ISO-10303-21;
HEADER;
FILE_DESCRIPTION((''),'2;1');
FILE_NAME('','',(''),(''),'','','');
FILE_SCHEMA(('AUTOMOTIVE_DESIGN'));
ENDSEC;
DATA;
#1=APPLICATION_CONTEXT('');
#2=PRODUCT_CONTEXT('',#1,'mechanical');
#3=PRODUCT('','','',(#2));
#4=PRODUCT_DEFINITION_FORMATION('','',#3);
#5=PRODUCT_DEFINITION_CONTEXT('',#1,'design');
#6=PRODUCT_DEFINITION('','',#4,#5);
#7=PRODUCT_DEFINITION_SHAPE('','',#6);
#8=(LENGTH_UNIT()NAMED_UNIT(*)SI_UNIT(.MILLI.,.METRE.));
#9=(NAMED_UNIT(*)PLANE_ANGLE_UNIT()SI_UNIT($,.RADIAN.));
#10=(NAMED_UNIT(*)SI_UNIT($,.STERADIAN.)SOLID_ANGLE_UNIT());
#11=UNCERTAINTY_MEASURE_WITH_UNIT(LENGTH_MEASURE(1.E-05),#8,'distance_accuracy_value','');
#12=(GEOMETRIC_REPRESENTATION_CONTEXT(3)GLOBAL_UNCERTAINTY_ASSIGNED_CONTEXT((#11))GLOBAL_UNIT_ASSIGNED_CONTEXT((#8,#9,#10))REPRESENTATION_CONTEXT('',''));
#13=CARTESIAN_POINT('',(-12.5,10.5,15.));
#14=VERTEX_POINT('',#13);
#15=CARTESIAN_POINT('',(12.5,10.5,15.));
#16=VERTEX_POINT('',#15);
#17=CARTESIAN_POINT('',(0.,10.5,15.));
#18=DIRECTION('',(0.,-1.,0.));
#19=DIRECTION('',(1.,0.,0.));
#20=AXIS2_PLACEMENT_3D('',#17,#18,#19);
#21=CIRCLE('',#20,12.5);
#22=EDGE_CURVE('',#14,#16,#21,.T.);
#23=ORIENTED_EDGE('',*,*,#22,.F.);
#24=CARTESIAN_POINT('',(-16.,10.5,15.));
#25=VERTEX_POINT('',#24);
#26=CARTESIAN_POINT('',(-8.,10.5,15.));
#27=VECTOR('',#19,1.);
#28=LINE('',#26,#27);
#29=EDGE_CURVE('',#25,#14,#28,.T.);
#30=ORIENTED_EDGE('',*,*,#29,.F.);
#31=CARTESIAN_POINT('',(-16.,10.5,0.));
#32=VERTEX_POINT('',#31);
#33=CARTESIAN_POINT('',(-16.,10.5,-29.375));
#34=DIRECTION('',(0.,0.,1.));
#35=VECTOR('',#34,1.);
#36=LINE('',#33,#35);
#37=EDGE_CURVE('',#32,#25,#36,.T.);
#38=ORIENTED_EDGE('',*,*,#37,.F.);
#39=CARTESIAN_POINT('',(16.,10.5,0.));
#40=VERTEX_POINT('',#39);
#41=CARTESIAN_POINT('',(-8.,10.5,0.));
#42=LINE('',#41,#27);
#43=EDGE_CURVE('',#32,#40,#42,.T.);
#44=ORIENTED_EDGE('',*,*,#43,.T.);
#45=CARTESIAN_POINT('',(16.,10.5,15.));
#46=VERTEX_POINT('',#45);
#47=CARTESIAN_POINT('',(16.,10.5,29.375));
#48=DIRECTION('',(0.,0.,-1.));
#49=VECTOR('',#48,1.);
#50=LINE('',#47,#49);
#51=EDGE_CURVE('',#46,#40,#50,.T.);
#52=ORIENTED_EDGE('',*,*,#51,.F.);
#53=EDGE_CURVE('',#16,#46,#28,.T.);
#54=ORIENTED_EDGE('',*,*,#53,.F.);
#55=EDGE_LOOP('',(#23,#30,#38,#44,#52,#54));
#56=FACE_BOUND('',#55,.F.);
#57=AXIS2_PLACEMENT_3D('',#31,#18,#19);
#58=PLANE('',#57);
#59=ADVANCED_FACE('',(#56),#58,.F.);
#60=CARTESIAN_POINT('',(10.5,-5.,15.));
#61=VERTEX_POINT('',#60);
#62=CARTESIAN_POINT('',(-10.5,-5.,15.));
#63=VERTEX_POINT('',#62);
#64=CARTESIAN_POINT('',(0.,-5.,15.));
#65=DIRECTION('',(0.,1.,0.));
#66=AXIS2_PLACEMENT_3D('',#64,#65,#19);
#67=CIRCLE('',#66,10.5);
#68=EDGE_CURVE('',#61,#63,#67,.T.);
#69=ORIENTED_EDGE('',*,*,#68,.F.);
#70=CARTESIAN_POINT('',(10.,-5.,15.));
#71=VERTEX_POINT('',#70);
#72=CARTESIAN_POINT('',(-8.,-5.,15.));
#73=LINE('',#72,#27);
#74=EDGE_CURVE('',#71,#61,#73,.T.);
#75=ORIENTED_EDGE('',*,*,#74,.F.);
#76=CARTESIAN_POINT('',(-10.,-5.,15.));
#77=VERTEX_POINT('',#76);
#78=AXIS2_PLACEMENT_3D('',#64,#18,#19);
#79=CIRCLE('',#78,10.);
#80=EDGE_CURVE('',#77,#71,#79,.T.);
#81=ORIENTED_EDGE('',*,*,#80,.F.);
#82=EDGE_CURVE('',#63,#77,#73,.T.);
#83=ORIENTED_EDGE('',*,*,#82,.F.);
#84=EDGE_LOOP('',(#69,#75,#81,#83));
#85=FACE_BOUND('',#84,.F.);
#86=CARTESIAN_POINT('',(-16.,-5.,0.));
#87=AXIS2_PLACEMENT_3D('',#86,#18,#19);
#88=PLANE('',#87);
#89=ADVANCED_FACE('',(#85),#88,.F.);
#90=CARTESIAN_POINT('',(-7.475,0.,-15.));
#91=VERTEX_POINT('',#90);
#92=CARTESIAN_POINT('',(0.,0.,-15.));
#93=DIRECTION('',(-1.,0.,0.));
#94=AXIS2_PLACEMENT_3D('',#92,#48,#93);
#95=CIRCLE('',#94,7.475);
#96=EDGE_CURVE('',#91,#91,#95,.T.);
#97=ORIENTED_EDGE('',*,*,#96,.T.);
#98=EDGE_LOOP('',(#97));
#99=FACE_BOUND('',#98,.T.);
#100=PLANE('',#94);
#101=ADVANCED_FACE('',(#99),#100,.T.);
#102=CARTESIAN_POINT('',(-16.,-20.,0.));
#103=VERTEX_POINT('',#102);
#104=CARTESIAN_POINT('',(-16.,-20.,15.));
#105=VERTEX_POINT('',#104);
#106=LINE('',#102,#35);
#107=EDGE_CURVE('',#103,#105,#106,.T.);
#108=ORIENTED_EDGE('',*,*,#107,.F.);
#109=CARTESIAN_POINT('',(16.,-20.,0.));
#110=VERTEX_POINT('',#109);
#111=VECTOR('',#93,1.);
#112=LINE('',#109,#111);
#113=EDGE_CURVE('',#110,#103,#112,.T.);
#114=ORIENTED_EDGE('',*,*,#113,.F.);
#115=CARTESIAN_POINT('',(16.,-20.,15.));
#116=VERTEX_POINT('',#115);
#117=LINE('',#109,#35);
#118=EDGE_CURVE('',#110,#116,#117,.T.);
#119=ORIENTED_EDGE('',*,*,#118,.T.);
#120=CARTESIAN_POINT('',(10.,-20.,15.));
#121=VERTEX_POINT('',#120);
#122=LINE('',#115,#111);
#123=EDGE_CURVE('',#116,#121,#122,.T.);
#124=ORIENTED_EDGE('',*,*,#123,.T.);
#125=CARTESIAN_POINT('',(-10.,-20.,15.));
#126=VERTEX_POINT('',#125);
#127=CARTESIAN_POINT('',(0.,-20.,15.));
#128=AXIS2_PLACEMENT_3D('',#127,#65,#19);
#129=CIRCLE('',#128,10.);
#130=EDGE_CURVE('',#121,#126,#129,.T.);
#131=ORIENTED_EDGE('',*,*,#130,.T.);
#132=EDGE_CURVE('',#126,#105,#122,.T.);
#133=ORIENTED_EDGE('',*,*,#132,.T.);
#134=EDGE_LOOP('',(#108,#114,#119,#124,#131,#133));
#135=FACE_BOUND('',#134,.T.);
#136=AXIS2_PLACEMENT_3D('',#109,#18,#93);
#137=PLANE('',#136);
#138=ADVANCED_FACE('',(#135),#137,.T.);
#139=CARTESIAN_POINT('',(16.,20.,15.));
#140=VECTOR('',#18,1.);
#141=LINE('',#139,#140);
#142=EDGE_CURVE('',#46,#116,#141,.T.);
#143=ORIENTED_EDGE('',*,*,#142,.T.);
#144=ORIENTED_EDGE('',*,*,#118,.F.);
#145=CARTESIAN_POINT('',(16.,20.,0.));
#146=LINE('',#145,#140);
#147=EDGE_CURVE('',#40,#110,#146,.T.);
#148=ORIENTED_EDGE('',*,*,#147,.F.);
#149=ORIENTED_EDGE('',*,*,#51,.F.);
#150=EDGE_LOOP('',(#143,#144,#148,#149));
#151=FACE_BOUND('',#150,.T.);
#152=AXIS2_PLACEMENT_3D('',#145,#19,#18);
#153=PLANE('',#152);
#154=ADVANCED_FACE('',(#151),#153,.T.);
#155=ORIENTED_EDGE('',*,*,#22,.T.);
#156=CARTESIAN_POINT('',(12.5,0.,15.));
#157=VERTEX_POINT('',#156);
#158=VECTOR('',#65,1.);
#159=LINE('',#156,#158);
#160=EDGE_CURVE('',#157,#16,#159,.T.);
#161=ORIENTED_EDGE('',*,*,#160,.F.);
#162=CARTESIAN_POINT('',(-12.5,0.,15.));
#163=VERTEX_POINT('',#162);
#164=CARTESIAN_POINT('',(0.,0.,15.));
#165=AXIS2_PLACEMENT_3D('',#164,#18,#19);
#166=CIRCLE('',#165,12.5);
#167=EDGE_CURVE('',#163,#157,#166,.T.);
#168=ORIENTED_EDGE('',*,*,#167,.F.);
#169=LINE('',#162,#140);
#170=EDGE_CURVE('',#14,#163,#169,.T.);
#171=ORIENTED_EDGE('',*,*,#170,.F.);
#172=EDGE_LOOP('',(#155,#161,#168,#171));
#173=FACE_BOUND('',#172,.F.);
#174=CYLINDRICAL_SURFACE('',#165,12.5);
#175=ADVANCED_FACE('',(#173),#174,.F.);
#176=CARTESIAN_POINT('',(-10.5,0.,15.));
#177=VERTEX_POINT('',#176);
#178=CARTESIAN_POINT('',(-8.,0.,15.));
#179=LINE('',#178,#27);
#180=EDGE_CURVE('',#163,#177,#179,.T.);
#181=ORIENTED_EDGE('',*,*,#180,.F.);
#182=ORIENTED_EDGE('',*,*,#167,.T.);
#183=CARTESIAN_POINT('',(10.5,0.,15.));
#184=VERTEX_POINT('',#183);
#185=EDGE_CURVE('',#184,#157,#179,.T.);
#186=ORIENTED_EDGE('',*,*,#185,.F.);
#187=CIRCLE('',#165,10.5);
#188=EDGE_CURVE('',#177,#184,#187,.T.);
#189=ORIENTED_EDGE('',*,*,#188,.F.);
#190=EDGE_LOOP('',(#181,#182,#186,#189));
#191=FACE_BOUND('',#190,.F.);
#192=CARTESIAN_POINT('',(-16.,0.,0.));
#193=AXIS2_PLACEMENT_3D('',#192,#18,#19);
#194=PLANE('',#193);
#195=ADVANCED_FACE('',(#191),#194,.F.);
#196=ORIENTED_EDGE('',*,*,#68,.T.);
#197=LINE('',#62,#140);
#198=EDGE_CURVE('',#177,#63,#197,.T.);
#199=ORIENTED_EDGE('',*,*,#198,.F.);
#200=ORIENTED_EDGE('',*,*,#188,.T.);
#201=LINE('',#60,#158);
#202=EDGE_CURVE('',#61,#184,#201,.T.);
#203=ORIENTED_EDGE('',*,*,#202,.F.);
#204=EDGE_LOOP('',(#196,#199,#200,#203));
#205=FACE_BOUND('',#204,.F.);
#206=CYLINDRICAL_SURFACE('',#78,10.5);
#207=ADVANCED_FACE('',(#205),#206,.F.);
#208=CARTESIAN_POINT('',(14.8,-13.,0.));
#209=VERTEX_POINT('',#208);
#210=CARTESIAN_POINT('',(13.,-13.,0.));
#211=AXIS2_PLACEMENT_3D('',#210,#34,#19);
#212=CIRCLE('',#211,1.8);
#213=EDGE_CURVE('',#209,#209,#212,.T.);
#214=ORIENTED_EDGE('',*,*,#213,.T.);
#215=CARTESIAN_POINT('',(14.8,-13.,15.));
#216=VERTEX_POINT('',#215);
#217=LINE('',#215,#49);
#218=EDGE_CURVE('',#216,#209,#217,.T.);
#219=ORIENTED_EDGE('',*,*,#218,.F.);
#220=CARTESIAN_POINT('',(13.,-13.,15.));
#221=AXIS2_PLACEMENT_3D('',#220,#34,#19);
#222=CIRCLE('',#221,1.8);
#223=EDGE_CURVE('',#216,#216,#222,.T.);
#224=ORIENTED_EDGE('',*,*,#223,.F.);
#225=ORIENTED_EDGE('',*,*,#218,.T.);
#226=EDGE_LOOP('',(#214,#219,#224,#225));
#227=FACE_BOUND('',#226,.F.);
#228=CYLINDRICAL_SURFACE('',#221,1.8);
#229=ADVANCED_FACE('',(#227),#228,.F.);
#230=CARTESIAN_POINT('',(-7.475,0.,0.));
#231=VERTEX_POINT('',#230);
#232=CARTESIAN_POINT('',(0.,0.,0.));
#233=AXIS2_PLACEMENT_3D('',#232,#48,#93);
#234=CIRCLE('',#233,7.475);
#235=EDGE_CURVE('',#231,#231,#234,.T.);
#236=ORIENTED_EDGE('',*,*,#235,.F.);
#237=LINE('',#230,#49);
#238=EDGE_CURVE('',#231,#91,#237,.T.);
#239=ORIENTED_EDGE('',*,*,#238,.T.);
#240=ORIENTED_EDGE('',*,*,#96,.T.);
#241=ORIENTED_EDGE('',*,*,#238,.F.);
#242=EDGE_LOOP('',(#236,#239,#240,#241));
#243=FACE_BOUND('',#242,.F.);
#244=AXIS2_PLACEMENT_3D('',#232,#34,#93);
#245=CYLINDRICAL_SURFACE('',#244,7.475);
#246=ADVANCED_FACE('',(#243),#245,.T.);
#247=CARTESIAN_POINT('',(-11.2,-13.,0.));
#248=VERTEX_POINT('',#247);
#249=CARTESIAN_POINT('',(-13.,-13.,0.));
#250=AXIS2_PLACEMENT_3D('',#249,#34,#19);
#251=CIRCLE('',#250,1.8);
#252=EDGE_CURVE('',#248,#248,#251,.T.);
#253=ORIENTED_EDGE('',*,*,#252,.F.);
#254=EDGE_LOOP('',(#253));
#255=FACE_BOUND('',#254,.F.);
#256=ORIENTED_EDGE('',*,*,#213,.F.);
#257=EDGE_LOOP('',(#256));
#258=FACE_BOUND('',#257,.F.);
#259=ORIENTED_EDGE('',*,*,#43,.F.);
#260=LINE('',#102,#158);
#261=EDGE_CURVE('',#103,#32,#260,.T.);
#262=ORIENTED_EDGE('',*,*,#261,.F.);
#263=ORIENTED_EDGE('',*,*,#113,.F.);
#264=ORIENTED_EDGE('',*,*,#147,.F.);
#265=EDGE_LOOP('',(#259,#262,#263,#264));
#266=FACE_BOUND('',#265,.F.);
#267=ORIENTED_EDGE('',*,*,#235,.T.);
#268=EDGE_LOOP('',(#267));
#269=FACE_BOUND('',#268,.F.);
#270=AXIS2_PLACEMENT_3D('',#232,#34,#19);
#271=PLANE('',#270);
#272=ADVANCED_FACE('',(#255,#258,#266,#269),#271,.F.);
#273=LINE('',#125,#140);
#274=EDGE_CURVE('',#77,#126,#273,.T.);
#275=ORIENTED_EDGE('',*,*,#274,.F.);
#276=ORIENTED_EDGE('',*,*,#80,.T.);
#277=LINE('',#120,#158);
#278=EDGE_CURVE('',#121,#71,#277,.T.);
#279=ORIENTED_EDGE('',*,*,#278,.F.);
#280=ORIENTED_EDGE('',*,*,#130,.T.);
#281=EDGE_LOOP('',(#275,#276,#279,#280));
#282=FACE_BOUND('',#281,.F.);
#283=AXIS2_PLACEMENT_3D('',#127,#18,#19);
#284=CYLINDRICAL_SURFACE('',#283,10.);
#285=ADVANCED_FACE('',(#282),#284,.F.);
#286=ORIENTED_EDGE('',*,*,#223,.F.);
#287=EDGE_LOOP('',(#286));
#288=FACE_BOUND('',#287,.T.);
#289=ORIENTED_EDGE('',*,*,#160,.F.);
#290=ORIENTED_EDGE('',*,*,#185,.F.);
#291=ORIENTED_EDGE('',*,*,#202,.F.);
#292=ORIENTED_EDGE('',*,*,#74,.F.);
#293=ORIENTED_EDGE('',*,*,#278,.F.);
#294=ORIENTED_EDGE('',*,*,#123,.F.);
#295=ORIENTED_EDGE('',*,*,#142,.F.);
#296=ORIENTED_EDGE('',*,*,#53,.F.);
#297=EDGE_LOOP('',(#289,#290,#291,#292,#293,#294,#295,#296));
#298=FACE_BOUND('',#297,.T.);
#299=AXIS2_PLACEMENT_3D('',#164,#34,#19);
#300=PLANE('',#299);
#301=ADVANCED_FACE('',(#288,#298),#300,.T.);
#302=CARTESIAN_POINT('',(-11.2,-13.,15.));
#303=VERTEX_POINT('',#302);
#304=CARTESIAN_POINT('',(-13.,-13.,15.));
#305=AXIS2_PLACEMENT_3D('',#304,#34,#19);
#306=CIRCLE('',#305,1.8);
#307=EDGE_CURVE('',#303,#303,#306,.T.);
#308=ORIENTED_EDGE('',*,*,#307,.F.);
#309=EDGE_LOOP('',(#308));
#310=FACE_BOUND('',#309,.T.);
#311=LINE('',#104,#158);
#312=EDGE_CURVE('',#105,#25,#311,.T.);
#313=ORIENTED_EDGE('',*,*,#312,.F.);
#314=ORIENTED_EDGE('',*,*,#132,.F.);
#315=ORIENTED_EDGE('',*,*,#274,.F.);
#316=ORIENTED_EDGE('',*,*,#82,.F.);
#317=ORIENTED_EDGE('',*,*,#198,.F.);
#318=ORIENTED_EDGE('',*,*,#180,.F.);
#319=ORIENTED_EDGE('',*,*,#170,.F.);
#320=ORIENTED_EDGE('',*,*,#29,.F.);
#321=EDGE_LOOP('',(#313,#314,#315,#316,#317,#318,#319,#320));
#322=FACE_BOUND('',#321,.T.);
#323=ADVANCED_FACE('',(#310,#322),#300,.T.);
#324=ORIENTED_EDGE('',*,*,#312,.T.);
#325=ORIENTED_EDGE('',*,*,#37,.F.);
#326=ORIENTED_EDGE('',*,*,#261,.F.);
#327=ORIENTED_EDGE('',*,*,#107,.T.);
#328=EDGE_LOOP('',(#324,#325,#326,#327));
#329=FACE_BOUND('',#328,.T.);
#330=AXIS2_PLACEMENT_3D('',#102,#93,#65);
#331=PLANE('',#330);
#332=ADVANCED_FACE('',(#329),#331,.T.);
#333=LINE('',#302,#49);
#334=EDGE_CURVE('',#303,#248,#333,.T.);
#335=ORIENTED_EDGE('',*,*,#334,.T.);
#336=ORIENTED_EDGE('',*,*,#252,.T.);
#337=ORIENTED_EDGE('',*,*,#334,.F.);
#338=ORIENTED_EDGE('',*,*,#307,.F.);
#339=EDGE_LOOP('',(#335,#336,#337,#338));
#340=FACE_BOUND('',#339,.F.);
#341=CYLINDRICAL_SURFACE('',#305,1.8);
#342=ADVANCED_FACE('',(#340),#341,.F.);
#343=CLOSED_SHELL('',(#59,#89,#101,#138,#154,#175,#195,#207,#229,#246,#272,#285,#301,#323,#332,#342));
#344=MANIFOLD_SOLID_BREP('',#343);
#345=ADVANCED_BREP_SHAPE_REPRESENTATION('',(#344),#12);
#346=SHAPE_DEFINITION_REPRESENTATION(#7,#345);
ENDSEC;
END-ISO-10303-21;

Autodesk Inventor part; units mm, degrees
ref_plane "YZ Plane" through (0, 0, 0) normal (1, 0, 0) x (0, 1, 0)
ref_plane "XZ Plane" through (0, 0, 0) normal (0, 1, 0) x (-1, 0, 0)
ref_plane "XY Plane" through (0, 0, 0) normal (0, 0, 1) x (1, 0, 0)
sketch "Skizze1" plane through (0, 0, 0) normal (0, 0, 1) x (1, 0, 0)
  line L0 (-16, 20) -> (16, 20)
  line L1 (16, 20) -> (16, -20)
  line L2 (16, -20) -> (-16, -20)
  line L3 (-16, -20) -> (-16, 20)
  line L4 (-16, 20) -> (16, -20) construction
  line L5 (16, 20) -> (-16, -20) construction
  point P0 (0, 0)
  dimension "d0" = 32
  dimension "d1" = 40
extrude "Extrusion1" add sketch "Skizze1" along normal blind 15
sketch "Skizze2" plane through (-16, -20, 0) normal (0, -1, 0) x (1, 0, 0)
  line L0 (0, 15) -> (32, 15) projected
  line L1 (0, 0) -> (0, 15) projected
  line L2 (32, 0) -> (0, 0) projected
  line L3 (32, 0) -> (32, 15) projected
  line L4 (32, 15) -> (0, 15) projected
  circle A0 centre (16, 15) radius 10
  point P0 (16, 0)
  dimension "d4" = 20
extrude "Extrusion2" cut sketch "Skizze2" against normal blind 15 contours A0 L0 | L0 A0
sketch "Skizze3" plane through (-16, -5, 0) normal (0, -1, 0) x (1, 0, 0)
  line L0 (0, 0) -> (0, 15) projected
  line L1 (32, 0) -> (0, 0) projected
  line L2 (32, 0) -> (32, 15) projected
  line L3 (26, 15) -> (32, 15) projected
  line L4 (0, 15) -> (6, 15) projected
  line L5 (6, 15) -> (26, 15) projected
  circle A0 centre (16, 15) radius 10.5
  point P0 (16, 0)
  dimension "d7" = 21
extrude "Extrusion3" cut sketch "Skizze3" against normal blind 5 contours A0 L3 L5 L4 | L4 L5 L3 A0
sketch "Skizze4" plane through (-16, 0, 0) normal (0, -1, 0) x (1, 0, 0)
  line L0 (5.5, 15) -> (26.5, 15) projected
  circle A0 centre (16, 15) radius 12.5
  point P0 (16, 0)
  dimension "d10" = 25
extrude "Extrusion4" cut sketch "Skizze4" against normal through all
sketch "Skizze5" plane through (0, 0, 15) normal (0, 0, 1) x (1, 0, 0)
  line L0 (-16, 20) -> (-16, -20) projected
  line L1 (-16, -20) -> (-10, -20) projected
  line L2 (-10, -20) -> (-10, -5) projected
  line L3 (10, -5) -> (10, -20) projected
  line L4 (10, -20) -> (16, -20) projected
  line L5 (16, -20) -> (16, 20) projected
  circle A0 centre (-13, -13) radius 1.8
  circle A1 centre (13, -13) radius 1.8
  point P0 (0, 0)
  dimension "d13" = 3.6
  dimension "d14" = 3.6
  dimension "d15" = 7
  dimension "d16" = 7
  dimension "d17" = 3
  dimension "d18" = 3
extrude "Extrusion5" cut sketch "Skizze5" against normal through all
sketch "Skizze8" plane through (0, 0, 0) normal (0, 0, -1) x (-1, 0, 0)
  line L0 (12.5, 20) -> (16, 20) projected
  line L1 (16, 20) -> (16, 10.5)
  line L2 (16, 20) -> (16, -20) projected
  line L3 (16, 10.5) -> (-16, 10.5)
  line L4 (-16, 20) -> (-16, -20) projected
  line L5 (16, 20) -> (-16, 20) projected
  line L6 (-16, 20) -> (16, 20)
  point P0 (0, 0)
  dimension "d28" = 9.5
extrude "Extrusion8" cut sketch "Skizze8" along normal mid plane 58.75
sketch "Skizze9" plane through (0, 0, 0) normal (0, 0, -1) x (-1, 0, 0)
  circle A0 centre (0, 0) radius 7.475
  dimension "d31" = 14.95
extrude "Extrusion9" add sketch "Skizze9" along normal blind 15
properties part number "5 Objektivhalterung unten"
